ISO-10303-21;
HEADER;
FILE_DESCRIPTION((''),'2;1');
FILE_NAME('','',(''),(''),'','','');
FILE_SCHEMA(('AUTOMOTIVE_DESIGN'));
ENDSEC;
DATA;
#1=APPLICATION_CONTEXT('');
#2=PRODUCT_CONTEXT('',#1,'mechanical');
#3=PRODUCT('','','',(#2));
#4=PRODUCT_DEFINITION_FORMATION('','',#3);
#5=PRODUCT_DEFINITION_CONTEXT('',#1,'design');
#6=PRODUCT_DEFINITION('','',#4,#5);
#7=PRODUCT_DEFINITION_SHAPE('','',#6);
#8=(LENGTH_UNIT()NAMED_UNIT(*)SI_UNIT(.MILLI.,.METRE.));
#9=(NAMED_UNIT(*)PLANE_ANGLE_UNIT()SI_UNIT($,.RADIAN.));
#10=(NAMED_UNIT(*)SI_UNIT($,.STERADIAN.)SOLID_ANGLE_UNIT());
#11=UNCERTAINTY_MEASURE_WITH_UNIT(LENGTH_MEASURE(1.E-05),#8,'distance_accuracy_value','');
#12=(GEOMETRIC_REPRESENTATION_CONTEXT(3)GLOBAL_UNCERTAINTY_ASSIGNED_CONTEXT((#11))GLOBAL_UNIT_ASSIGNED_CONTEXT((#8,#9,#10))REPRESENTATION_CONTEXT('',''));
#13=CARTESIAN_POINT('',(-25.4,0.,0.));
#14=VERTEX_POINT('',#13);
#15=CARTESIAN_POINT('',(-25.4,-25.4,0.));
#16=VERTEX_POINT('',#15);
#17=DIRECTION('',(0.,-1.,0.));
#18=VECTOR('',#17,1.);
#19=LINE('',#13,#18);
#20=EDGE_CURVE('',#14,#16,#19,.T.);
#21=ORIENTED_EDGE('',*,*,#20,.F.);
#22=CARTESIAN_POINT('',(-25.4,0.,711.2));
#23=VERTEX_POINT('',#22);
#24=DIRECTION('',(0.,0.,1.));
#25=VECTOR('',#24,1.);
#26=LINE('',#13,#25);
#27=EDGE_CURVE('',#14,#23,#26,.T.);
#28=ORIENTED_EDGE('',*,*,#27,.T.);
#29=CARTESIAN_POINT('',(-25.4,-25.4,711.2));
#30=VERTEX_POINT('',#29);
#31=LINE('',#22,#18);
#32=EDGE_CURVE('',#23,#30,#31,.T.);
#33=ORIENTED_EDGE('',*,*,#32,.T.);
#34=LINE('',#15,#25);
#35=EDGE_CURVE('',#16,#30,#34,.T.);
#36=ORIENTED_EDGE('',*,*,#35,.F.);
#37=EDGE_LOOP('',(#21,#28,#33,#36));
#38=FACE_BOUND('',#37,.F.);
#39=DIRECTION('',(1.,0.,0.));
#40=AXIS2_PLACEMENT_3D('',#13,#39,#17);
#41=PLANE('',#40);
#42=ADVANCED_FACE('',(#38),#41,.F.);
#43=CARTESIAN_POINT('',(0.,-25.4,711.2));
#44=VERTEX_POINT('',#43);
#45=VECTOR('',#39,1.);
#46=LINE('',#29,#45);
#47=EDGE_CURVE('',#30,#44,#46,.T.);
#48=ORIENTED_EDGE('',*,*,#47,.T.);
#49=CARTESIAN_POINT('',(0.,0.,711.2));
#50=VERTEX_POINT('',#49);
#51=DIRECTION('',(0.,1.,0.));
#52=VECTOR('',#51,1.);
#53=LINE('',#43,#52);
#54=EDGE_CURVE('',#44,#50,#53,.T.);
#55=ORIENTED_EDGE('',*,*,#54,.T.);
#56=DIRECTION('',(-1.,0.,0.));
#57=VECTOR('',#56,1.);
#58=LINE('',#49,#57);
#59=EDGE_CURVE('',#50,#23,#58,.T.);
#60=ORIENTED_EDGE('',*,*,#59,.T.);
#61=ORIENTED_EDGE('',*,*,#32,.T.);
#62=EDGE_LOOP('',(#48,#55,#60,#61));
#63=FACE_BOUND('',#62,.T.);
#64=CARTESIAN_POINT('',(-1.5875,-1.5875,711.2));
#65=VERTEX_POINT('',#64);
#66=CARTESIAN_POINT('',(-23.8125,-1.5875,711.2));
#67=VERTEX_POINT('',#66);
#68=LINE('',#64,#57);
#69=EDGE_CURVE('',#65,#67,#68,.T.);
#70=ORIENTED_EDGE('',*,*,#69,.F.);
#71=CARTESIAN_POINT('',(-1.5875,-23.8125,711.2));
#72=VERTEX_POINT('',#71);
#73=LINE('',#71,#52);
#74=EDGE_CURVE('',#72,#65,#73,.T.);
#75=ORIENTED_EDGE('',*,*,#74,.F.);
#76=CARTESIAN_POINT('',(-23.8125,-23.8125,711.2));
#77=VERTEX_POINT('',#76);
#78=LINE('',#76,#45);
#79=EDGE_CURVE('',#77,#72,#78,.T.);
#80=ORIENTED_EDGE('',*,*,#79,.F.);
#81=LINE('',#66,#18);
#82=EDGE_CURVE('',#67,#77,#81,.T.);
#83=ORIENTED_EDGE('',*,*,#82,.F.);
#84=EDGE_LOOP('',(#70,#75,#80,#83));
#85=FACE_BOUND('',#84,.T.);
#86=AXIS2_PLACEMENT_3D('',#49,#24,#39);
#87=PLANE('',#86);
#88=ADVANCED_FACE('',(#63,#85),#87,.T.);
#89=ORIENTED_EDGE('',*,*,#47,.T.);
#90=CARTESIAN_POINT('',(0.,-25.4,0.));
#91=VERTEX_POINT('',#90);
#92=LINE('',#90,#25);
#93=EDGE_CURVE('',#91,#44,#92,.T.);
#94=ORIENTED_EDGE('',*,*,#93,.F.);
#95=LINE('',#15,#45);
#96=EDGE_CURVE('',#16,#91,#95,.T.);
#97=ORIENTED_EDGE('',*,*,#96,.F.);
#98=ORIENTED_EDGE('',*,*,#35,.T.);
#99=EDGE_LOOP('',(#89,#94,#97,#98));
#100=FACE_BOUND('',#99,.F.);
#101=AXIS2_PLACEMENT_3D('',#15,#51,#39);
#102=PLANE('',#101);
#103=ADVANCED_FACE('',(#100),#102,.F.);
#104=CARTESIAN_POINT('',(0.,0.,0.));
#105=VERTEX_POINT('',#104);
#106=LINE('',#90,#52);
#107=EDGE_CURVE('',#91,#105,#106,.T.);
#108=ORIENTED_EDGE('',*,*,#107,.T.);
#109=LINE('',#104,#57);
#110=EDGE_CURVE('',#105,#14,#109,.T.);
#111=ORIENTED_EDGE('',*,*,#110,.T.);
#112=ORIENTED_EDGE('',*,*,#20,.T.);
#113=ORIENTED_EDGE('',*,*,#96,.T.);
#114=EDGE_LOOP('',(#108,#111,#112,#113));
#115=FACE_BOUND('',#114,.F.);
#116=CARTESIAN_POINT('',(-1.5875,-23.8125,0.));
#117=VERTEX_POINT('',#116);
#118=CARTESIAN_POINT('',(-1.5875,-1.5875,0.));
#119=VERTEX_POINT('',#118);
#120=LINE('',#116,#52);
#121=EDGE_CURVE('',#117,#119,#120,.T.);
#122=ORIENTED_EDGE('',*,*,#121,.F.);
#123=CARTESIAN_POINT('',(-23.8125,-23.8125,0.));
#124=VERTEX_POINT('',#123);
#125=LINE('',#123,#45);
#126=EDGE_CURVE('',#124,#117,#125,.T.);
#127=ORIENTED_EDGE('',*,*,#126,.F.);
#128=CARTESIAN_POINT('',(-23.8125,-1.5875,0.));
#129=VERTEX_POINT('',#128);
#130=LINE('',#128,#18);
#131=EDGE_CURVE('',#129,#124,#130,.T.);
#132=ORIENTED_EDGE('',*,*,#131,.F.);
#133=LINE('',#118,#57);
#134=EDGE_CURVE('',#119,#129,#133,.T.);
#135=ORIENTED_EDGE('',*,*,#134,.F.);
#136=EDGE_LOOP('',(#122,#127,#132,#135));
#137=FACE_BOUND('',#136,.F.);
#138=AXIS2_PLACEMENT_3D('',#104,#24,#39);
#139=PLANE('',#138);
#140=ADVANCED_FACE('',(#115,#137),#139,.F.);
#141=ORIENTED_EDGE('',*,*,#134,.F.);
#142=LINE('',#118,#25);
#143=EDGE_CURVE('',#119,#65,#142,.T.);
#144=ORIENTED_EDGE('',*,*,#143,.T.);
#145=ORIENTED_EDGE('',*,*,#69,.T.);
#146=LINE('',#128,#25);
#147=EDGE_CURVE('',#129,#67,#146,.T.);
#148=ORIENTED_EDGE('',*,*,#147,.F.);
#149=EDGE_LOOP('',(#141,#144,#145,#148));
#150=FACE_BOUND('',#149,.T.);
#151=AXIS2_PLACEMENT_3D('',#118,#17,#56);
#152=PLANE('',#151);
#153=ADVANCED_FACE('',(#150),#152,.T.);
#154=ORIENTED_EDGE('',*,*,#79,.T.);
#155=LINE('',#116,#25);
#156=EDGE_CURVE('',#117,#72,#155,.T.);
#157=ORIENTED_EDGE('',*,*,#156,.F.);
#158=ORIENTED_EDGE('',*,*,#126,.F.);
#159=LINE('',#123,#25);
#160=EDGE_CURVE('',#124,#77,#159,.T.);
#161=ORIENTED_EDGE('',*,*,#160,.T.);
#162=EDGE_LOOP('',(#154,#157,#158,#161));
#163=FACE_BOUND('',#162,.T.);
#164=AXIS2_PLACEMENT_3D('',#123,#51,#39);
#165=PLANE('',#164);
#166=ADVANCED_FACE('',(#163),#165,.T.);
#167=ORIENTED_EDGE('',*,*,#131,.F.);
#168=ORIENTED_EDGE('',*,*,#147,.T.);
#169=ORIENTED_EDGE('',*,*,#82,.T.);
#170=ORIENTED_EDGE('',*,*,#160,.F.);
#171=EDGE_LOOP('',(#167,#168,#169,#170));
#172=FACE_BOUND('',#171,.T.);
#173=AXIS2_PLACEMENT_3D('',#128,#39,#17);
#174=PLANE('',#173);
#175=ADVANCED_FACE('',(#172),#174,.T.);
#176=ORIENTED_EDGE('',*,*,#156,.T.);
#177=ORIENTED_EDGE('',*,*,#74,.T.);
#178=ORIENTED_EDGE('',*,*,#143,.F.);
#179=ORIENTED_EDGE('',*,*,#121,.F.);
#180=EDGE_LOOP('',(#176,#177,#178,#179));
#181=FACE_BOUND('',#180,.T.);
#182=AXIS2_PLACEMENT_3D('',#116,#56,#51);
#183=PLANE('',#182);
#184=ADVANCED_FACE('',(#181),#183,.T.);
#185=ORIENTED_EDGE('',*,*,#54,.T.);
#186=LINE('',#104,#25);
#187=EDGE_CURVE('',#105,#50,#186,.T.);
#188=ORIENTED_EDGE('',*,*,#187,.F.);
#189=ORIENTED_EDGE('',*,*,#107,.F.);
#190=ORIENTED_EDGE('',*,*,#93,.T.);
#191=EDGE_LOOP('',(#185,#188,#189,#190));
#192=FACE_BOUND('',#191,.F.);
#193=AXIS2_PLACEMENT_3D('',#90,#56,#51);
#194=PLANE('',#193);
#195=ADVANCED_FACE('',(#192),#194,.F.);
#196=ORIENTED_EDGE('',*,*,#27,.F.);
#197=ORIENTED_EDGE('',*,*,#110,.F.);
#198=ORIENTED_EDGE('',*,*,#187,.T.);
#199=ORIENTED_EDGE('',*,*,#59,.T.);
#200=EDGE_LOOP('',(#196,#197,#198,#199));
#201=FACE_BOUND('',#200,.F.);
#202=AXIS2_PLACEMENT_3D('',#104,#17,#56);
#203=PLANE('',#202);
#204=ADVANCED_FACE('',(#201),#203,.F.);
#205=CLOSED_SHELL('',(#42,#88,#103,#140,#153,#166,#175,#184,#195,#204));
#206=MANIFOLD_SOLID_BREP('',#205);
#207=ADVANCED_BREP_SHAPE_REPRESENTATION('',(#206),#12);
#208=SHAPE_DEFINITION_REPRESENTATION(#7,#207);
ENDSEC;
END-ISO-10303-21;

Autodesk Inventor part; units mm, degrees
ref_plane "YZ Plane" through (0, 0, 0) normal (1, 0, 0) x (0, 1, 0)
ref_plane "XZ Plane" through (0, 0, 0) normal (0, 1, 0) x (-1, 0, 0)
ref_plane "XY Plane" through (0, 0, 0) normal (0, 0, 1) x (1, 0, 0)
sketch "Sketch1" plane through (0, 0, 0) normal (0, 0, 1) x (1, 0, 0)
  line L0 (-25.4, -25.4) -> (0, -25.4)
  line L1 (0, -25.4) -> (0, 0)
  line L2 (0, 0) -> (-25.4, 0)
  line L3 (-25.4, 0) -> (-25.4, -25.4)
  line L4 (-23.8125, -23.8125) -> (-1.5875, -23.8125)
  line L5 (-1.5875, -23.8125) -> (-1.5875, -1.5875)
  line L6 (-1.5875, -1.5875) -> (-23.8125, -1.5875)
  line L7 (-23.8125, -1.5875) -> (-23.8125, -23.8125)
  dimension "d0" = 25.4
  dimension "d1" = 25.4
  dimension "d2" = 22.225
  dimension "d3" = 22.225
extrude "Extrusion1" add sketch "Sketch1" along normal blind 711.2
properties part number "26 in 1-16 tubing"
